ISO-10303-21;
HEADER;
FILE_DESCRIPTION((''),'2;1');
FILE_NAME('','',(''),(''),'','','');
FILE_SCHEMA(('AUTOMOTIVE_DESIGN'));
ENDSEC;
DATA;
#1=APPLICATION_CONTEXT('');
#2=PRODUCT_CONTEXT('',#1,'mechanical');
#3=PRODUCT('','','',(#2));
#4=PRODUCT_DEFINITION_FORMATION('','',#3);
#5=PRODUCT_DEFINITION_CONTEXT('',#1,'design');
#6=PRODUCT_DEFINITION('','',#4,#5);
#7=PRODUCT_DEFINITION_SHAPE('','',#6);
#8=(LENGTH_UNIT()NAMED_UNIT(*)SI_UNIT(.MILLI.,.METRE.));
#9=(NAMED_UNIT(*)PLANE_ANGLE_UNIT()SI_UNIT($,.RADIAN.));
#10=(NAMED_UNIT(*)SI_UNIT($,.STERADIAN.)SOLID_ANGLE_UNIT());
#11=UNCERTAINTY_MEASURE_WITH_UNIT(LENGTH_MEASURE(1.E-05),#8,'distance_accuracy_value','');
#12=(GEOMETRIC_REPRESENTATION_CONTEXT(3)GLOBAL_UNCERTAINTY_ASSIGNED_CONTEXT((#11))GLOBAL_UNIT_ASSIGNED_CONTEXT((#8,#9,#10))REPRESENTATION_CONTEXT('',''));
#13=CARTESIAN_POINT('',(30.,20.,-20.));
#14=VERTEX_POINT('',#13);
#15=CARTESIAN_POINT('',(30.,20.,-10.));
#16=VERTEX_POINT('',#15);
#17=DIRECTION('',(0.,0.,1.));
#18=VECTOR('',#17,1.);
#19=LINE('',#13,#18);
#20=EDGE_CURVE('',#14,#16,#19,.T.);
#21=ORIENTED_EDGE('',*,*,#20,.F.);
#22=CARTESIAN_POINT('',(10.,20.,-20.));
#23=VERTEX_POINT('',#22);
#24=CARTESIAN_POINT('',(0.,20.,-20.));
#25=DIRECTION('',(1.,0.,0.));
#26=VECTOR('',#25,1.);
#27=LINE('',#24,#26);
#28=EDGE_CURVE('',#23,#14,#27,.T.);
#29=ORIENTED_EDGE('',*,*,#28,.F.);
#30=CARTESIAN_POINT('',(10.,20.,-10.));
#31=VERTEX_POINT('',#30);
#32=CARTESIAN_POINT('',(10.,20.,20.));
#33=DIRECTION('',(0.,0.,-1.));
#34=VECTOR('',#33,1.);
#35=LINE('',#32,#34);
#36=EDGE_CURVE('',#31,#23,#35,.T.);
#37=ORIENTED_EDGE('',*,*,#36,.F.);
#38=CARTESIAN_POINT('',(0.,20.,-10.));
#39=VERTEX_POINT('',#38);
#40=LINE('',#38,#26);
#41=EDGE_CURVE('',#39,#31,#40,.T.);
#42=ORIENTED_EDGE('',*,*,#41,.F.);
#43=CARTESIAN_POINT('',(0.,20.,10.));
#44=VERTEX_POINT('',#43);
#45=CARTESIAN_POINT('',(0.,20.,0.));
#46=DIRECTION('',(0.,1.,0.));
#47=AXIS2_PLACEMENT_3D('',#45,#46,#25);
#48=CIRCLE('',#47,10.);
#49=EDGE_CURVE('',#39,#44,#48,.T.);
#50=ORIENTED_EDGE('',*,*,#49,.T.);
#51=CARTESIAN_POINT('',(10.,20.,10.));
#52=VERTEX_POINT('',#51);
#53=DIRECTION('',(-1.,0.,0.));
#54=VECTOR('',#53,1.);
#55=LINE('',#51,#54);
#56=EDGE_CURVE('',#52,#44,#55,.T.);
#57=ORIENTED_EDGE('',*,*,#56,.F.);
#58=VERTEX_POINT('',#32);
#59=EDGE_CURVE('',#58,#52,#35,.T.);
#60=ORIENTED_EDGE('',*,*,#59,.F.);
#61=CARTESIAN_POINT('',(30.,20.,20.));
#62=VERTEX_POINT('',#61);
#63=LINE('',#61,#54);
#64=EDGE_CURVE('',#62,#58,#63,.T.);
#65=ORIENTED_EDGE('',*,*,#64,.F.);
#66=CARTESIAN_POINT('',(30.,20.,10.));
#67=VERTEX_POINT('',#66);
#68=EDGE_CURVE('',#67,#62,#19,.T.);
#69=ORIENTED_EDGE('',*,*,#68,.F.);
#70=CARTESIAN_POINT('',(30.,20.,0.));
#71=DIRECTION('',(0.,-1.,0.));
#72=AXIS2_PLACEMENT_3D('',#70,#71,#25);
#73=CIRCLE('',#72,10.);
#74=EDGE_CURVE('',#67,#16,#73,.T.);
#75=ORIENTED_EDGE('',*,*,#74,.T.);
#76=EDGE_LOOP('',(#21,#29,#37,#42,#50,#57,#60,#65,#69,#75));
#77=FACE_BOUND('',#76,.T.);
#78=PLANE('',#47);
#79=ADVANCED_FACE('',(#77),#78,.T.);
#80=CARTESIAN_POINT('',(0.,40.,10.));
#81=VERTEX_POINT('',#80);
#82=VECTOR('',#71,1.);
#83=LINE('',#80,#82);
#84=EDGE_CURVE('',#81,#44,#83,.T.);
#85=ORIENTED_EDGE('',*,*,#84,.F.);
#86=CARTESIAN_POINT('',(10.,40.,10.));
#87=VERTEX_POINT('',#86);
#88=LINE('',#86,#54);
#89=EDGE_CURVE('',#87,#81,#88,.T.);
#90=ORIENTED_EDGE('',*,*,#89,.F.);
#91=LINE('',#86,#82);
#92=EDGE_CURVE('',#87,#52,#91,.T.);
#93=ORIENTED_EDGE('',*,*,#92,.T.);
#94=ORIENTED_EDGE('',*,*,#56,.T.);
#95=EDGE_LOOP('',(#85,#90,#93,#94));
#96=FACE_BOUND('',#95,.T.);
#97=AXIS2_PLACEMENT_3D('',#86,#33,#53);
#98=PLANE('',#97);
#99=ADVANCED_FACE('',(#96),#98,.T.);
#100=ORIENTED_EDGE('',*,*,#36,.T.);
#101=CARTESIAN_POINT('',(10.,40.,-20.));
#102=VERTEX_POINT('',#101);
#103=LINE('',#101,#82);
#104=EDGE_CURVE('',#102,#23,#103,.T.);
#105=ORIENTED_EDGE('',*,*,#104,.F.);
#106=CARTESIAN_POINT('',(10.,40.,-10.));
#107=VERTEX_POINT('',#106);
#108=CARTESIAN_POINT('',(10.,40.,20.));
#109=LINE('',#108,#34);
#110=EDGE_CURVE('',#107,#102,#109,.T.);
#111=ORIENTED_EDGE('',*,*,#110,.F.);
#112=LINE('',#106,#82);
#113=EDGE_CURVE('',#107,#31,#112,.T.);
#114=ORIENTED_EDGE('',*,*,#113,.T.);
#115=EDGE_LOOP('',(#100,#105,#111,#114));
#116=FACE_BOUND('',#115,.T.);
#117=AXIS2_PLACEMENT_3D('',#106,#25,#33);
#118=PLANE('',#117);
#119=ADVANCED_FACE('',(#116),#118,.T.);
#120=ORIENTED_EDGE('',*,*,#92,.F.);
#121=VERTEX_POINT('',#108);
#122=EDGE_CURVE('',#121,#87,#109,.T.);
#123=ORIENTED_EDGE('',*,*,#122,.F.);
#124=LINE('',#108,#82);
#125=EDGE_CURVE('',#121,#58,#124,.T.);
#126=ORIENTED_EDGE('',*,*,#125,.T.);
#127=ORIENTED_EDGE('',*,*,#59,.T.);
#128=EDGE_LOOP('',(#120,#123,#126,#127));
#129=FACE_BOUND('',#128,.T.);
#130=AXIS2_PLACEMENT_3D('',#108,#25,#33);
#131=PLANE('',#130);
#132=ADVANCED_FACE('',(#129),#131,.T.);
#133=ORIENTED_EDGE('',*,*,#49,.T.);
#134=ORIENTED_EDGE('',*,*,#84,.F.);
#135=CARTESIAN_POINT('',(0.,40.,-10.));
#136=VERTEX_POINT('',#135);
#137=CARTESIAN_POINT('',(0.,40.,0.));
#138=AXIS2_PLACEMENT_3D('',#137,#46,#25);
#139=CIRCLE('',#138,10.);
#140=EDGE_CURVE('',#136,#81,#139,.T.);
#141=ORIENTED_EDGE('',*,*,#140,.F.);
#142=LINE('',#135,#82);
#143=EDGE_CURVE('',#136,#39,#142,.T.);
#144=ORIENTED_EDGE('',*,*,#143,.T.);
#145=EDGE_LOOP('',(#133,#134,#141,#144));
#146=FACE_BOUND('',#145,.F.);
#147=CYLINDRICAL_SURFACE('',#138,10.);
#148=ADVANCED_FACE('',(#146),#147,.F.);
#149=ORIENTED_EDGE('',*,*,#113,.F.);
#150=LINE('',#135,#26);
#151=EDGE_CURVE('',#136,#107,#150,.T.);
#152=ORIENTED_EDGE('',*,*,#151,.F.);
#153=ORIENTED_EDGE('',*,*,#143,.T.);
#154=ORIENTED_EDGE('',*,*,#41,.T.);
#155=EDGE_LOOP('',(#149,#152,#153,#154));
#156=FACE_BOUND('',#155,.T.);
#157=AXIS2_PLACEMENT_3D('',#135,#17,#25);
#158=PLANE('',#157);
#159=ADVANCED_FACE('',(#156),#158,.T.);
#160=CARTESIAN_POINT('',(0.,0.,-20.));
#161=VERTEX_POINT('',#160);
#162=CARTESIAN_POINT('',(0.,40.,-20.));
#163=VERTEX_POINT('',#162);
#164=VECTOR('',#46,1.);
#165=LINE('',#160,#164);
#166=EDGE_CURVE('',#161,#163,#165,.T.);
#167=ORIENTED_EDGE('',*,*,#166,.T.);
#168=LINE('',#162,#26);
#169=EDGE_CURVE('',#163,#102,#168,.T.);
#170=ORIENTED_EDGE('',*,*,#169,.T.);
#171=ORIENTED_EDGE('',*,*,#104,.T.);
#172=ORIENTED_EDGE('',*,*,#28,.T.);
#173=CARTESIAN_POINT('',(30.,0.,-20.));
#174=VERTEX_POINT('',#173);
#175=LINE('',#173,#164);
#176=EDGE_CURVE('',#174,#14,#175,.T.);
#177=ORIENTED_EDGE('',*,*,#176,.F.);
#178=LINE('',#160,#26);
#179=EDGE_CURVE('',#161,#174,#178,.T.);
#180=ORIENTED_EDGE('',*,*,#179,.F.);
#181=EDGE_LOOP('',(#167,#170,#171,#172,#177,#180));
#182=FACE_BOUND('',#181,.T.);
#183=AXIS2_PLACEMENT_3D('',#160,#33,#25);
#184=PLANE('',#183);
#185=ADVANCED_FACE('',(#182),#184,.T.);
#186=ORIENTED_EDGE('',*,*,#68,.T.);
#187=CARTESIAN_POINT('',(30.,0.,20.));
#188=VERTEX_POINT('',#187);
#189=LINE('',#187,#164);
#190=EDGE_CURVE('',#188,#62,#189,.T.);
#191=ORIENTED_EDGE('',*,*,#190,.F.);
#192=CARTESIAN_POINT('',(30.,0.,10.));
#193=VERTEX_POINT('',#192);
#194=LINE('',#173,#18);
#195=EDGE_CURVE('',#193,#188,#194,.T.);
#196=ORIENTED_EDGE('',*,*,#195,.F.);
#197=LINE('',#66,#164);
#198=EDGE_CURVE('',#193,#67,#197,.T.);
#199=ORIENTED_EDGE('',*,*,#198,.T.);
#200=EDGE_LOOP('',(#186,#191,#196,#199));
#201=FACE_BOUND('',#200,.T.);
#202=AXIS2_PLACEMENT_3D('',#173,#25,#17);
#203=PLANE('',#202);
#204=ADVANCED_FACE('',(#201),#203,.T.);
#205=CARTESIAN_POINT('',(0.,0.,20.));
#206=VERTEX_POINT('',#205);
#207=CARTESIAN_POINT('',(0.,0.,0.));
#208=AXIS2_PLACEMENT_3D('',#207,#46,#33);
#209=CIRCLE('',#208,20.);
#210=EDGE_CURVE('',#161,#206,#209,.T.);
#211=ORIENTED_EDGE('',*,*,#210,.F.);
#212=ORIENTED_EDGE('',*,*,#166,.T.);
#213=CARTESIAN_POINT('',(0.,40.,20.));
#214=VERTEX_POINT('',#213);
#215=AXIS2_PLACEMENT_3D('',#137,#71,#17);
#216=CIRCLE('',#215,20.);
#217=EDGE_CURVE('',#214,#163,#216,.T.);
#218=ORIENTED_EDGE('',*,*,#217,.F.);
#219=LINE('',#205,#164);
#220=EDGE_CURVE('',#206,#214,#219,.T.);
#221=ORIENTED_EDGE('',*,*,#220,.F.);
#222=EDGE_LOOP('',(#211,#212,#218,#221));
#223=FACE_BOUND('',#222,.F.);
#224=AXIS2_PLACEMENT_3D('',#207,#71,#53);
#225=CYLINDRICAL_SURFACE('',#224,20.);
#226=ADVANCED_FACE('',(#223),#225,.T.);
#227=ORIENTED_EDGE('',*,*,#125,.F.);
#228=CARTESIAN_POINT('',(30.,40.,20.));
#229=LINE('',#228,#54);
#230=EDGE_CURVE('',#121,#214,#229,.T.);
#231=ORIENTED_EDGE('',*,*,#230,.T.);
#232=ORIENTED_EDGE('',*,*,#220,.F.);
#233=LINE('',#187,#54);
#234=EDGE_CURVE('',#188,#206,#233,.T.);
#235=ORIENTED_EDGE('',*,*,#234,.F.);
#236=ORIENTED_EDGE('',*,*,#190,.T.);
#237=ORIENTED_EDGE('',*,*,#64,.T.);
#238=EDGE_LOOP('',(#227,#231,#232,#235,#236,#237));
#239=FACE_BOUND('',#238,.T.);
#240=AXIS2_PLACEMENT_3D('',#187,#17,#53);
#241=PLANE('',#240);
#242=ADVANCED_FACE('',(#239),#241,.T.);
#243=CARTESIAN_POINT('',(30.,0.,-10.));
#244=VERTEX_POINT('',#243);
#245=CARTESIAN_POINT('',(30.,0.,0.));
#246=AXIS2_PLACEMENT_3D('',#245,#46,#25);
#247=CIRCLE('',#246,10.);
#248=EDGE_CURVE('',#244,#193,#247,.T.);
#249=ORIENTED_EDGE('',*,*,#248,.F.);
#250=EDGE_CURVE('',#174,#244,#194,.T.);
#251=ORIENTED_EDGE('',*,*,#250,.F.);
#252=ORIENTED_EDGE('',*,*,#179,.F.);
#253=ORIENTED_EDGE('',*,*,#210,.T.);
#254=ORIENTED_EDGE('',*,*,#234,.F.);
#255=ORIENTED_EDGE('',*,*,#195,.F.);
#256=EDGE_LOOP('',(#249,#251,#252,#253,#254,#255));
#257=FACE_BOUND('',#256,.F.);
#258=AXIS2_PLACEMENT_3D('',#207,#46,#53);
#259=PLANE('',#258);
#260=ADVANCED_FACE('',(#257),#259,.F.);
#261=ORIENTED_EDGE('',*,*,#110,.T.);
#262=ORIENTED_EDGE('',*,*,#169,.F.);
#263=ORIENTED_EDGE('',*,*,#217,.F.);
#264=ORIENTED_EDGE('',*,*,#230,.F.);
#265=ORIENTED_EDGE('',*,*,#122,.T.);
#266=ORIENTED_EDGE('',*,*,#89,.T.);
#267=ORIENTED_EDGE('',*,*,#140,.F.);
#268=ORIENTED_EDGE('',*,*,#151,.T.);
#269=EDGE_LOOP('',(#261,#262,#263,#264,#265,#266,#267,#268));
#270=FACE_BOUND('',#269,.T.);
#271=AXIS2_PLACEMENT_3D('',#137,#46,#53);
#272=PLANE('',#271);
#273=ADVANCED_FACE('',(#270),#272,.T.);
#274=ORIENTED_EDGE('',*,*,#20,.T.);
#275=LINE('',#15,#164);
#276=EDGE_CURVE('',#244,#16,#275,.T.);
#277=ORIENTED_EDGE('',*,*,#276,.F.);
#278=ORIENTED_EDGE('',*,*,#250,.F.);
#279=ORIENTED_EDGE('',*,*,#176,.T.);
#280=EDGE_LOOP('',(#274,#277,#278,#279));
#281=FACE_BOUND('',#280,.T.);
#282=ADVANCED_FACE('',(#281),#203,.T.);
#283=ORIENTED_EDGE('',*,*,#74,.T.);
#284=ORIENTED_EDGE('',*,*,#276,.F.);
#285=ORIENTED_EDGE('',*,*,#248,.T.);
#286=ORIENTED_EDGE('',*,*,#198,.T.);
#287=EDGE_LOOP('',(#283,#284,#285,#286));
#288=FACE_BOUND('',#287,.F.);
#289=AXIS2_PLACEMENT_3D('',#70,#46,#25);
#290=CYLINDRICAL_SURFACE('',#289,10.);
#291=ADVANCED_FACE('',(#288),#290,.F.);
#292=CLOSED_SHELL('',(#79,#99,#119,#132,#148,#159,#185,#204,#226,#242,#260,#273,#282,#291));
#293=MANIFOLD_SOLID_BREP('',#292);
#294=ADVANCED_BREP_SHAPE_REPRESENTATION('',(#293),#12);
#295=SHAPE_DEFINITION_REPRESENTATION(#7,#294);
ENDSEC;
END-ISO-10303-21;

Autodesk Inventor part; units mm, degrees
ref_plane "YZ Plane" through (0, 0, 0) normal (1, 0, 0) x (0, 1, 0)
ref_plane "XZ Plane" through (0, 0, 0) normal (0, 1, 0) x (-1, 0, 0)
ref_plane "XY Plane" through (0, 0, 0) normal (0, 0, 1) x (1, 0, 0)
sketch "草圖1" plane through (0, 0, 0) normal (0, 1, 0) x (-1, 0, 0)
  circle A0 centre (0, 0) radius 20
  line L0 (0, -20) -> (-30, -20)
  line L1 (-30, -20) -> (-30, 20)
  line L2 (-30, 20) -> (0, 20)
  line L3 (0, 20) -> (0, -20)
  point P0 (0, 20)
  dimension "d0" = 40
  dimension "d1" = 30
extrude "擠出1" add sketch "草圖1" along normal blind 40
sketch "草圖2" plane through (0, 40, 0) normal (0, 1, 0) x (1, 0, 0)
  line L0 (30, -20) -> (0, -20) projected
  arc A0 (0, 20) -> (0, -20) centre (0, 0) ccw projected
  line L1 (0, 20) -> (30, 20) projected
  line L2 (30, 20) -> (30, -20) projected
  line L3 (10, 20) -> (30, 20)
  line L4 (30, 20) -> (30, -20)
  line L5 (30, -20) -> (10, -20)
  line L6 (10, -20) -> (10, 20)
  line L7 (30, -20) -> (30, 20) projected
  line L8 (30, 20) -> (0, 20) projected
  line L9 (0, -20) -> (30, -20) projected
  line L10 (0, 10) -> (10, 10)
  line L11 (10, 10) -> (10, -10)
  line L12 (10, -10) -> (0, -10)
  line L13 (0, -10) -> (0, 10)
  circle A1 centre (0, 0) radius 10
  point P0 (10, 0)
  point P1 (0, -10)
  dimension "d4" = 20
  dimension "d5" = 20
  dimension "d6" = 10
extrude "擠出2" cut sketch "草圖2" against normal blind 20 contours L0 L6 L1 L2 | L12 A1 L6 | A1 L10 L6 | A1 L13 | A1 L13
sketch "草圖3" plane through (0, 20, 0) normal (0, 1, 0) x (1, 0, 0)
  line L0 (10, 20) -> (10, 10) projected
  line L1 (10, 10) -> (0, 10) projected
  arc A0 (0, 10) -> (0, -10) centre (0, 0) ccw projected
  line L2 (0, -10) -> (10, -10) projected
  line L3 (10, -10) -> (10, -20) projected
  line L4 (30, -20) -> (10, -20) projected
  line L5 (30, 20) -> (30, -20) projected
  line L6 (10, 20) -> (30, 20) projected
  line L7 (0, 20) -> (10, 20) projected
  arc A1 (0, 20) -> (0, -20) centre (0, 0) ccw projected
  line L8 (10, -20) -> (0, -20) projected
  circle A2 centre (30, 0) radius 10
  dimension "d9" = 20
extrude "擠出3" cut sketch "草圖3" against normal through all contours A2 L5 | L5 A2
properties part number "29" material "鋼、碳鋼"
